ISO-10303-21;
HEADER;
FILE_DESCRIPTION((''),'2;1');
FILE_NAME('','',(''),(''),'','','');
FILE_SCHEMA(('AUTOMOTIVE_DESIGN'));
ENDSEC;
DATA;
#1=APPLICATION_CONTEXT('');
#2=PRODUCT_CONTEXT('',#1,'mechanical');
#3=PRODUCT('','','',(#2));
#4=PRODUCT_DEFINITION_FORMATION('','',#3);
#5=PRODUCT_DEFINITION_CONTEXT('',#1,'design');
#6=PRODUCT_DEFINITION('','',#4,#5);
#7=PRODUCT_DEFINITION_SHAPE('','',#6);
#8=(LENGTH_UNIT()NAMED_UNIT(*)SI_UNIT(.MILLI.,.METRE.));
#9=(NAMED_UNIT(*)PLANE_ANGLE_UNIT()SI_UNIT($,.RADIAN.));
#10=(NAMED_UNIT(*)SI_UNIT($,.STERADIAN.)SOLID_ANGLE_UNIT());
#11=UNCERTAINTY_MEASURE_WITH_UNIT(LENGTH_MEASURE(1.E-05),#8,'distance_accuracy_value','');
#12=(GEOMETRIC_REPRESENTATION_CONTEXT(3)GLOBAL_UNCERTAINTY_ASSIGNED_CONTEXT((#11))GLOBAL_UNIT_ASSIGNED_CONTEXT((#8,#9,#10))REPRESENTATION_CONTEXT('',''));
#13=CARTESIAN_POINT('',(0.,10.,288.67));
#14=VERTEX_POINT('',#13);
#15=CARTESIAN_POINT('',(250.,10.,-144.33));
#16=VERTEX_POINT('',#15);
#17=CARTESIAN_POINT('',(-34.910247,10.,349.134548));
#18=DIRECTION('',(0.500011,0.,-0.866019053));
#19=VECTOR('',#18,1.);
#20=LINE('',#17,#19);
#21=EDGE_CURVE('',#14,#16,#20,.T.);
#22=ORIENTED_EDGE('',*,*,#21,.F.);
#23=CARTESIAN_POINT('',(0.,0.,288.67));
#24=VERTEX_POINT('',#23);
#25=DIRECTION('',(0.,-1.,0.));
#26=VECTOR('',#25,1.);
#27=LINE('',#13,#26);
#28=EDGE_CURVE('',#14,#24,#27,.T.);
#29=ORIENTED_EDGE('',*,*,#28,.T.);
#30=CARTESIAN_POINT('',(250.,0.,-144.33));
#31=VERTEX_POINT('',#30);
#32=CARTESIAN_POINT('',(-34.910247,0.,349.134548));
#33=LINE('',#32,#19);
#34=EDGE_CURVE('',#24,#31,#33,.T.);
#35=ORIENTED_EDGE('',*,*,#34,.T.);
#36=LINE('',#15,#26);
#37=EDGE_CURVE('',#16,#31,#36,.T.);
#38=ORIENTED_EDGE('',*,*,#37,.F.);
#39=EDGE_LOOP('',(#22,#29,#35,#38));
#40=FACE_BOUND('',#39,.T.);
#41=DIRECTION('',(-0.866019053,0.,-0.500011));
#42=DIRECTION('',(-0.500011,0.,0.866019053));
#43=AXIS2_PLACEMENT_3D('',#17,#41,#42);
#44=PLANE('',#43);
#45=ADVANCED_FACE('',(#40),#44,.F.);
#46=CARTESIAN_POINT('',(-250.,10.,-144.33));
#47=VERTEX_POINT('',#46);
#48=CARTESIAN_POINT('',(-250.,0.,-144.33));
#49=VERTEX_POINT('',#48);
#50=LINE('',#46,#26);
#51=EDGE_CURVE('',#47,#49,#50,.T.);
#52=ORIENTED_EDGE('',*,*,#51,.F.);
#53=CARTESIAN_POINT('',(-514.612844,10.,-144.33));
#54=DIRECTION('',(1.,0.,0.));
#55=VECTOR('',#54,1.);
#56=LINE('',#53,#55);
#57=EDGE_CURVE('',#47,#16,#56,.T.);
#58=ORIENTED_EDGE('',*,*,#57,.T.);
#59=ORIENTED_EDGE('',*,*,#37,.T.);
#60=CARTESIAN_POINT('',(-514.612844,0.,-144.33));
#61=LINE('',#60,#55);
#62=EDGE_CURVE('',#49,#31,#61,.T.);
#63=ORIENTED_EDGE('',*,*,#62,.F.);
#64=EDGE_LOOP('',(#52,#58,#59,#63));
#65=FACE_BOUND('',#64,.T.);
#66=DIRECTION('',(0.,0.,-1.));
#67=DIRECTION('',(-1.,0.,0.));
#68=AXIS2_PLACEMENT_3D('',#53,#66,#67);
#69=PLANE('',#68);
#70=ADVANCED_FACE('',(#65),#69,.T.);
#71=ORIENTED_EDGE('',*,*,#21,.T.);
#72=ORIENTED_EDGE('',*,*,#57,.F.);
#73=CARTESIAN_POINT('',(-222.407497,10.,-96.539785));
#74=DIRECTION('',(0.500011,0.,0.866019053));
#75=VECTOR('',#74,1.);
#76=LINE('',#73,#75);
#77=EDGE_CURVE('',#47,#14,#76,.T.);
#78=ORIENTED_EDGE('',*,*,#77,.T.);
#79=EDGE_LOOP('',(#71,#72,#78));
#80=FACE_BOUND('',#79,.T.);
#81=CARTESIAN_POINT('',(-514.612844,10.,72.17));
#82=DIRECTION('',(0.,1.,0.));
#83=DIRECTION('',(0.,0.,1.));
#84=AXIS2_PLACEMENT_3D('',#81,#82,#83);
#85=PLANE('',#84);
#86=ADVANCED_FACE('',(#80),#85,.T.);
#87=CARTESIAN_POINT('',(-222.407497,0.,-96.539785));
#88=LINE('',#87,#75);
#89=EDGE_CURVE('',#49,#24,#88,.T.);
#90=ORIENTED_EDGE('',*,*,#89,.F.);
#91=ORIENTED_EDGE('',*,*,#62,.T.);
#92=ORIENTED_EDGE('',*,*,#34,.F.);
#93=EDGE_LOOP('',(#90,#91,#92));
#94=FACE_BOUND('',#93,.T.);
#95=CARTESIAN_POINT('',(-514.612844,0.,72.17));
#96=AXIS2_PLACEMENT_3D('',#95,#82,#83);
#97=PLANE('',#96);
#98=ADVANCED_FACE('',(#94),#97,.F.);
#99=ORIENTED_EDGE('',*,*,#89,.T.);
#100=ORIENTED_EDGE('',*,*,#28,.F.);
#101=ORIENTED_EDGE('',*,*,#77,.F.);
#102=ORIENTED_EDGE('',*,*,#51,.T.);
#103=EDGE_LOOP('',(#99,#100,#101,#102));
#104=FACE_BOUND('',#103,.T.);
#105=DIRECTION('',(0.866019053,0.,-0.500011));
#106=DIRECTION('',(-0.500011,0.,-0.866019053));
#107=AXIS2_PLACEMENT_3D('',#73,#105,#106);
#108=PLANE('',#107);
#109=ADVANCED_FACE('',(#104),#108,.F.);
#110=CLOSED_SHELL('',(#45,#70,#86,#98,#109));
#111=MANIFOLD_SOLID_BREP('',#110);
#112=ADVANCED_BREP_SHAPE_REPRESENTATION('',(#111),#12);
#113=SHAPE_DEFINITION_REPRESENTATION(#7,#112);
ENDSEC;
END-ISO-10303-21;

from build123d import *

# Parameters (mm, degrees)
EXTRUDE1_DEPTH = 10


with BuildPart() as part:
    # Sketch1 → Extrude1 (new body)
    with BuildSketch(Plane(origin=(0, 0, 0), x_dir=(1, 0, 0), z_dir=(0, 1, 0))):
        Polygon((-250, 144.33), (0, -288.67), (250, 144.33), align=None)
    extrude(amount=EXTRUDE1_DEPTH)


solid = part.part
